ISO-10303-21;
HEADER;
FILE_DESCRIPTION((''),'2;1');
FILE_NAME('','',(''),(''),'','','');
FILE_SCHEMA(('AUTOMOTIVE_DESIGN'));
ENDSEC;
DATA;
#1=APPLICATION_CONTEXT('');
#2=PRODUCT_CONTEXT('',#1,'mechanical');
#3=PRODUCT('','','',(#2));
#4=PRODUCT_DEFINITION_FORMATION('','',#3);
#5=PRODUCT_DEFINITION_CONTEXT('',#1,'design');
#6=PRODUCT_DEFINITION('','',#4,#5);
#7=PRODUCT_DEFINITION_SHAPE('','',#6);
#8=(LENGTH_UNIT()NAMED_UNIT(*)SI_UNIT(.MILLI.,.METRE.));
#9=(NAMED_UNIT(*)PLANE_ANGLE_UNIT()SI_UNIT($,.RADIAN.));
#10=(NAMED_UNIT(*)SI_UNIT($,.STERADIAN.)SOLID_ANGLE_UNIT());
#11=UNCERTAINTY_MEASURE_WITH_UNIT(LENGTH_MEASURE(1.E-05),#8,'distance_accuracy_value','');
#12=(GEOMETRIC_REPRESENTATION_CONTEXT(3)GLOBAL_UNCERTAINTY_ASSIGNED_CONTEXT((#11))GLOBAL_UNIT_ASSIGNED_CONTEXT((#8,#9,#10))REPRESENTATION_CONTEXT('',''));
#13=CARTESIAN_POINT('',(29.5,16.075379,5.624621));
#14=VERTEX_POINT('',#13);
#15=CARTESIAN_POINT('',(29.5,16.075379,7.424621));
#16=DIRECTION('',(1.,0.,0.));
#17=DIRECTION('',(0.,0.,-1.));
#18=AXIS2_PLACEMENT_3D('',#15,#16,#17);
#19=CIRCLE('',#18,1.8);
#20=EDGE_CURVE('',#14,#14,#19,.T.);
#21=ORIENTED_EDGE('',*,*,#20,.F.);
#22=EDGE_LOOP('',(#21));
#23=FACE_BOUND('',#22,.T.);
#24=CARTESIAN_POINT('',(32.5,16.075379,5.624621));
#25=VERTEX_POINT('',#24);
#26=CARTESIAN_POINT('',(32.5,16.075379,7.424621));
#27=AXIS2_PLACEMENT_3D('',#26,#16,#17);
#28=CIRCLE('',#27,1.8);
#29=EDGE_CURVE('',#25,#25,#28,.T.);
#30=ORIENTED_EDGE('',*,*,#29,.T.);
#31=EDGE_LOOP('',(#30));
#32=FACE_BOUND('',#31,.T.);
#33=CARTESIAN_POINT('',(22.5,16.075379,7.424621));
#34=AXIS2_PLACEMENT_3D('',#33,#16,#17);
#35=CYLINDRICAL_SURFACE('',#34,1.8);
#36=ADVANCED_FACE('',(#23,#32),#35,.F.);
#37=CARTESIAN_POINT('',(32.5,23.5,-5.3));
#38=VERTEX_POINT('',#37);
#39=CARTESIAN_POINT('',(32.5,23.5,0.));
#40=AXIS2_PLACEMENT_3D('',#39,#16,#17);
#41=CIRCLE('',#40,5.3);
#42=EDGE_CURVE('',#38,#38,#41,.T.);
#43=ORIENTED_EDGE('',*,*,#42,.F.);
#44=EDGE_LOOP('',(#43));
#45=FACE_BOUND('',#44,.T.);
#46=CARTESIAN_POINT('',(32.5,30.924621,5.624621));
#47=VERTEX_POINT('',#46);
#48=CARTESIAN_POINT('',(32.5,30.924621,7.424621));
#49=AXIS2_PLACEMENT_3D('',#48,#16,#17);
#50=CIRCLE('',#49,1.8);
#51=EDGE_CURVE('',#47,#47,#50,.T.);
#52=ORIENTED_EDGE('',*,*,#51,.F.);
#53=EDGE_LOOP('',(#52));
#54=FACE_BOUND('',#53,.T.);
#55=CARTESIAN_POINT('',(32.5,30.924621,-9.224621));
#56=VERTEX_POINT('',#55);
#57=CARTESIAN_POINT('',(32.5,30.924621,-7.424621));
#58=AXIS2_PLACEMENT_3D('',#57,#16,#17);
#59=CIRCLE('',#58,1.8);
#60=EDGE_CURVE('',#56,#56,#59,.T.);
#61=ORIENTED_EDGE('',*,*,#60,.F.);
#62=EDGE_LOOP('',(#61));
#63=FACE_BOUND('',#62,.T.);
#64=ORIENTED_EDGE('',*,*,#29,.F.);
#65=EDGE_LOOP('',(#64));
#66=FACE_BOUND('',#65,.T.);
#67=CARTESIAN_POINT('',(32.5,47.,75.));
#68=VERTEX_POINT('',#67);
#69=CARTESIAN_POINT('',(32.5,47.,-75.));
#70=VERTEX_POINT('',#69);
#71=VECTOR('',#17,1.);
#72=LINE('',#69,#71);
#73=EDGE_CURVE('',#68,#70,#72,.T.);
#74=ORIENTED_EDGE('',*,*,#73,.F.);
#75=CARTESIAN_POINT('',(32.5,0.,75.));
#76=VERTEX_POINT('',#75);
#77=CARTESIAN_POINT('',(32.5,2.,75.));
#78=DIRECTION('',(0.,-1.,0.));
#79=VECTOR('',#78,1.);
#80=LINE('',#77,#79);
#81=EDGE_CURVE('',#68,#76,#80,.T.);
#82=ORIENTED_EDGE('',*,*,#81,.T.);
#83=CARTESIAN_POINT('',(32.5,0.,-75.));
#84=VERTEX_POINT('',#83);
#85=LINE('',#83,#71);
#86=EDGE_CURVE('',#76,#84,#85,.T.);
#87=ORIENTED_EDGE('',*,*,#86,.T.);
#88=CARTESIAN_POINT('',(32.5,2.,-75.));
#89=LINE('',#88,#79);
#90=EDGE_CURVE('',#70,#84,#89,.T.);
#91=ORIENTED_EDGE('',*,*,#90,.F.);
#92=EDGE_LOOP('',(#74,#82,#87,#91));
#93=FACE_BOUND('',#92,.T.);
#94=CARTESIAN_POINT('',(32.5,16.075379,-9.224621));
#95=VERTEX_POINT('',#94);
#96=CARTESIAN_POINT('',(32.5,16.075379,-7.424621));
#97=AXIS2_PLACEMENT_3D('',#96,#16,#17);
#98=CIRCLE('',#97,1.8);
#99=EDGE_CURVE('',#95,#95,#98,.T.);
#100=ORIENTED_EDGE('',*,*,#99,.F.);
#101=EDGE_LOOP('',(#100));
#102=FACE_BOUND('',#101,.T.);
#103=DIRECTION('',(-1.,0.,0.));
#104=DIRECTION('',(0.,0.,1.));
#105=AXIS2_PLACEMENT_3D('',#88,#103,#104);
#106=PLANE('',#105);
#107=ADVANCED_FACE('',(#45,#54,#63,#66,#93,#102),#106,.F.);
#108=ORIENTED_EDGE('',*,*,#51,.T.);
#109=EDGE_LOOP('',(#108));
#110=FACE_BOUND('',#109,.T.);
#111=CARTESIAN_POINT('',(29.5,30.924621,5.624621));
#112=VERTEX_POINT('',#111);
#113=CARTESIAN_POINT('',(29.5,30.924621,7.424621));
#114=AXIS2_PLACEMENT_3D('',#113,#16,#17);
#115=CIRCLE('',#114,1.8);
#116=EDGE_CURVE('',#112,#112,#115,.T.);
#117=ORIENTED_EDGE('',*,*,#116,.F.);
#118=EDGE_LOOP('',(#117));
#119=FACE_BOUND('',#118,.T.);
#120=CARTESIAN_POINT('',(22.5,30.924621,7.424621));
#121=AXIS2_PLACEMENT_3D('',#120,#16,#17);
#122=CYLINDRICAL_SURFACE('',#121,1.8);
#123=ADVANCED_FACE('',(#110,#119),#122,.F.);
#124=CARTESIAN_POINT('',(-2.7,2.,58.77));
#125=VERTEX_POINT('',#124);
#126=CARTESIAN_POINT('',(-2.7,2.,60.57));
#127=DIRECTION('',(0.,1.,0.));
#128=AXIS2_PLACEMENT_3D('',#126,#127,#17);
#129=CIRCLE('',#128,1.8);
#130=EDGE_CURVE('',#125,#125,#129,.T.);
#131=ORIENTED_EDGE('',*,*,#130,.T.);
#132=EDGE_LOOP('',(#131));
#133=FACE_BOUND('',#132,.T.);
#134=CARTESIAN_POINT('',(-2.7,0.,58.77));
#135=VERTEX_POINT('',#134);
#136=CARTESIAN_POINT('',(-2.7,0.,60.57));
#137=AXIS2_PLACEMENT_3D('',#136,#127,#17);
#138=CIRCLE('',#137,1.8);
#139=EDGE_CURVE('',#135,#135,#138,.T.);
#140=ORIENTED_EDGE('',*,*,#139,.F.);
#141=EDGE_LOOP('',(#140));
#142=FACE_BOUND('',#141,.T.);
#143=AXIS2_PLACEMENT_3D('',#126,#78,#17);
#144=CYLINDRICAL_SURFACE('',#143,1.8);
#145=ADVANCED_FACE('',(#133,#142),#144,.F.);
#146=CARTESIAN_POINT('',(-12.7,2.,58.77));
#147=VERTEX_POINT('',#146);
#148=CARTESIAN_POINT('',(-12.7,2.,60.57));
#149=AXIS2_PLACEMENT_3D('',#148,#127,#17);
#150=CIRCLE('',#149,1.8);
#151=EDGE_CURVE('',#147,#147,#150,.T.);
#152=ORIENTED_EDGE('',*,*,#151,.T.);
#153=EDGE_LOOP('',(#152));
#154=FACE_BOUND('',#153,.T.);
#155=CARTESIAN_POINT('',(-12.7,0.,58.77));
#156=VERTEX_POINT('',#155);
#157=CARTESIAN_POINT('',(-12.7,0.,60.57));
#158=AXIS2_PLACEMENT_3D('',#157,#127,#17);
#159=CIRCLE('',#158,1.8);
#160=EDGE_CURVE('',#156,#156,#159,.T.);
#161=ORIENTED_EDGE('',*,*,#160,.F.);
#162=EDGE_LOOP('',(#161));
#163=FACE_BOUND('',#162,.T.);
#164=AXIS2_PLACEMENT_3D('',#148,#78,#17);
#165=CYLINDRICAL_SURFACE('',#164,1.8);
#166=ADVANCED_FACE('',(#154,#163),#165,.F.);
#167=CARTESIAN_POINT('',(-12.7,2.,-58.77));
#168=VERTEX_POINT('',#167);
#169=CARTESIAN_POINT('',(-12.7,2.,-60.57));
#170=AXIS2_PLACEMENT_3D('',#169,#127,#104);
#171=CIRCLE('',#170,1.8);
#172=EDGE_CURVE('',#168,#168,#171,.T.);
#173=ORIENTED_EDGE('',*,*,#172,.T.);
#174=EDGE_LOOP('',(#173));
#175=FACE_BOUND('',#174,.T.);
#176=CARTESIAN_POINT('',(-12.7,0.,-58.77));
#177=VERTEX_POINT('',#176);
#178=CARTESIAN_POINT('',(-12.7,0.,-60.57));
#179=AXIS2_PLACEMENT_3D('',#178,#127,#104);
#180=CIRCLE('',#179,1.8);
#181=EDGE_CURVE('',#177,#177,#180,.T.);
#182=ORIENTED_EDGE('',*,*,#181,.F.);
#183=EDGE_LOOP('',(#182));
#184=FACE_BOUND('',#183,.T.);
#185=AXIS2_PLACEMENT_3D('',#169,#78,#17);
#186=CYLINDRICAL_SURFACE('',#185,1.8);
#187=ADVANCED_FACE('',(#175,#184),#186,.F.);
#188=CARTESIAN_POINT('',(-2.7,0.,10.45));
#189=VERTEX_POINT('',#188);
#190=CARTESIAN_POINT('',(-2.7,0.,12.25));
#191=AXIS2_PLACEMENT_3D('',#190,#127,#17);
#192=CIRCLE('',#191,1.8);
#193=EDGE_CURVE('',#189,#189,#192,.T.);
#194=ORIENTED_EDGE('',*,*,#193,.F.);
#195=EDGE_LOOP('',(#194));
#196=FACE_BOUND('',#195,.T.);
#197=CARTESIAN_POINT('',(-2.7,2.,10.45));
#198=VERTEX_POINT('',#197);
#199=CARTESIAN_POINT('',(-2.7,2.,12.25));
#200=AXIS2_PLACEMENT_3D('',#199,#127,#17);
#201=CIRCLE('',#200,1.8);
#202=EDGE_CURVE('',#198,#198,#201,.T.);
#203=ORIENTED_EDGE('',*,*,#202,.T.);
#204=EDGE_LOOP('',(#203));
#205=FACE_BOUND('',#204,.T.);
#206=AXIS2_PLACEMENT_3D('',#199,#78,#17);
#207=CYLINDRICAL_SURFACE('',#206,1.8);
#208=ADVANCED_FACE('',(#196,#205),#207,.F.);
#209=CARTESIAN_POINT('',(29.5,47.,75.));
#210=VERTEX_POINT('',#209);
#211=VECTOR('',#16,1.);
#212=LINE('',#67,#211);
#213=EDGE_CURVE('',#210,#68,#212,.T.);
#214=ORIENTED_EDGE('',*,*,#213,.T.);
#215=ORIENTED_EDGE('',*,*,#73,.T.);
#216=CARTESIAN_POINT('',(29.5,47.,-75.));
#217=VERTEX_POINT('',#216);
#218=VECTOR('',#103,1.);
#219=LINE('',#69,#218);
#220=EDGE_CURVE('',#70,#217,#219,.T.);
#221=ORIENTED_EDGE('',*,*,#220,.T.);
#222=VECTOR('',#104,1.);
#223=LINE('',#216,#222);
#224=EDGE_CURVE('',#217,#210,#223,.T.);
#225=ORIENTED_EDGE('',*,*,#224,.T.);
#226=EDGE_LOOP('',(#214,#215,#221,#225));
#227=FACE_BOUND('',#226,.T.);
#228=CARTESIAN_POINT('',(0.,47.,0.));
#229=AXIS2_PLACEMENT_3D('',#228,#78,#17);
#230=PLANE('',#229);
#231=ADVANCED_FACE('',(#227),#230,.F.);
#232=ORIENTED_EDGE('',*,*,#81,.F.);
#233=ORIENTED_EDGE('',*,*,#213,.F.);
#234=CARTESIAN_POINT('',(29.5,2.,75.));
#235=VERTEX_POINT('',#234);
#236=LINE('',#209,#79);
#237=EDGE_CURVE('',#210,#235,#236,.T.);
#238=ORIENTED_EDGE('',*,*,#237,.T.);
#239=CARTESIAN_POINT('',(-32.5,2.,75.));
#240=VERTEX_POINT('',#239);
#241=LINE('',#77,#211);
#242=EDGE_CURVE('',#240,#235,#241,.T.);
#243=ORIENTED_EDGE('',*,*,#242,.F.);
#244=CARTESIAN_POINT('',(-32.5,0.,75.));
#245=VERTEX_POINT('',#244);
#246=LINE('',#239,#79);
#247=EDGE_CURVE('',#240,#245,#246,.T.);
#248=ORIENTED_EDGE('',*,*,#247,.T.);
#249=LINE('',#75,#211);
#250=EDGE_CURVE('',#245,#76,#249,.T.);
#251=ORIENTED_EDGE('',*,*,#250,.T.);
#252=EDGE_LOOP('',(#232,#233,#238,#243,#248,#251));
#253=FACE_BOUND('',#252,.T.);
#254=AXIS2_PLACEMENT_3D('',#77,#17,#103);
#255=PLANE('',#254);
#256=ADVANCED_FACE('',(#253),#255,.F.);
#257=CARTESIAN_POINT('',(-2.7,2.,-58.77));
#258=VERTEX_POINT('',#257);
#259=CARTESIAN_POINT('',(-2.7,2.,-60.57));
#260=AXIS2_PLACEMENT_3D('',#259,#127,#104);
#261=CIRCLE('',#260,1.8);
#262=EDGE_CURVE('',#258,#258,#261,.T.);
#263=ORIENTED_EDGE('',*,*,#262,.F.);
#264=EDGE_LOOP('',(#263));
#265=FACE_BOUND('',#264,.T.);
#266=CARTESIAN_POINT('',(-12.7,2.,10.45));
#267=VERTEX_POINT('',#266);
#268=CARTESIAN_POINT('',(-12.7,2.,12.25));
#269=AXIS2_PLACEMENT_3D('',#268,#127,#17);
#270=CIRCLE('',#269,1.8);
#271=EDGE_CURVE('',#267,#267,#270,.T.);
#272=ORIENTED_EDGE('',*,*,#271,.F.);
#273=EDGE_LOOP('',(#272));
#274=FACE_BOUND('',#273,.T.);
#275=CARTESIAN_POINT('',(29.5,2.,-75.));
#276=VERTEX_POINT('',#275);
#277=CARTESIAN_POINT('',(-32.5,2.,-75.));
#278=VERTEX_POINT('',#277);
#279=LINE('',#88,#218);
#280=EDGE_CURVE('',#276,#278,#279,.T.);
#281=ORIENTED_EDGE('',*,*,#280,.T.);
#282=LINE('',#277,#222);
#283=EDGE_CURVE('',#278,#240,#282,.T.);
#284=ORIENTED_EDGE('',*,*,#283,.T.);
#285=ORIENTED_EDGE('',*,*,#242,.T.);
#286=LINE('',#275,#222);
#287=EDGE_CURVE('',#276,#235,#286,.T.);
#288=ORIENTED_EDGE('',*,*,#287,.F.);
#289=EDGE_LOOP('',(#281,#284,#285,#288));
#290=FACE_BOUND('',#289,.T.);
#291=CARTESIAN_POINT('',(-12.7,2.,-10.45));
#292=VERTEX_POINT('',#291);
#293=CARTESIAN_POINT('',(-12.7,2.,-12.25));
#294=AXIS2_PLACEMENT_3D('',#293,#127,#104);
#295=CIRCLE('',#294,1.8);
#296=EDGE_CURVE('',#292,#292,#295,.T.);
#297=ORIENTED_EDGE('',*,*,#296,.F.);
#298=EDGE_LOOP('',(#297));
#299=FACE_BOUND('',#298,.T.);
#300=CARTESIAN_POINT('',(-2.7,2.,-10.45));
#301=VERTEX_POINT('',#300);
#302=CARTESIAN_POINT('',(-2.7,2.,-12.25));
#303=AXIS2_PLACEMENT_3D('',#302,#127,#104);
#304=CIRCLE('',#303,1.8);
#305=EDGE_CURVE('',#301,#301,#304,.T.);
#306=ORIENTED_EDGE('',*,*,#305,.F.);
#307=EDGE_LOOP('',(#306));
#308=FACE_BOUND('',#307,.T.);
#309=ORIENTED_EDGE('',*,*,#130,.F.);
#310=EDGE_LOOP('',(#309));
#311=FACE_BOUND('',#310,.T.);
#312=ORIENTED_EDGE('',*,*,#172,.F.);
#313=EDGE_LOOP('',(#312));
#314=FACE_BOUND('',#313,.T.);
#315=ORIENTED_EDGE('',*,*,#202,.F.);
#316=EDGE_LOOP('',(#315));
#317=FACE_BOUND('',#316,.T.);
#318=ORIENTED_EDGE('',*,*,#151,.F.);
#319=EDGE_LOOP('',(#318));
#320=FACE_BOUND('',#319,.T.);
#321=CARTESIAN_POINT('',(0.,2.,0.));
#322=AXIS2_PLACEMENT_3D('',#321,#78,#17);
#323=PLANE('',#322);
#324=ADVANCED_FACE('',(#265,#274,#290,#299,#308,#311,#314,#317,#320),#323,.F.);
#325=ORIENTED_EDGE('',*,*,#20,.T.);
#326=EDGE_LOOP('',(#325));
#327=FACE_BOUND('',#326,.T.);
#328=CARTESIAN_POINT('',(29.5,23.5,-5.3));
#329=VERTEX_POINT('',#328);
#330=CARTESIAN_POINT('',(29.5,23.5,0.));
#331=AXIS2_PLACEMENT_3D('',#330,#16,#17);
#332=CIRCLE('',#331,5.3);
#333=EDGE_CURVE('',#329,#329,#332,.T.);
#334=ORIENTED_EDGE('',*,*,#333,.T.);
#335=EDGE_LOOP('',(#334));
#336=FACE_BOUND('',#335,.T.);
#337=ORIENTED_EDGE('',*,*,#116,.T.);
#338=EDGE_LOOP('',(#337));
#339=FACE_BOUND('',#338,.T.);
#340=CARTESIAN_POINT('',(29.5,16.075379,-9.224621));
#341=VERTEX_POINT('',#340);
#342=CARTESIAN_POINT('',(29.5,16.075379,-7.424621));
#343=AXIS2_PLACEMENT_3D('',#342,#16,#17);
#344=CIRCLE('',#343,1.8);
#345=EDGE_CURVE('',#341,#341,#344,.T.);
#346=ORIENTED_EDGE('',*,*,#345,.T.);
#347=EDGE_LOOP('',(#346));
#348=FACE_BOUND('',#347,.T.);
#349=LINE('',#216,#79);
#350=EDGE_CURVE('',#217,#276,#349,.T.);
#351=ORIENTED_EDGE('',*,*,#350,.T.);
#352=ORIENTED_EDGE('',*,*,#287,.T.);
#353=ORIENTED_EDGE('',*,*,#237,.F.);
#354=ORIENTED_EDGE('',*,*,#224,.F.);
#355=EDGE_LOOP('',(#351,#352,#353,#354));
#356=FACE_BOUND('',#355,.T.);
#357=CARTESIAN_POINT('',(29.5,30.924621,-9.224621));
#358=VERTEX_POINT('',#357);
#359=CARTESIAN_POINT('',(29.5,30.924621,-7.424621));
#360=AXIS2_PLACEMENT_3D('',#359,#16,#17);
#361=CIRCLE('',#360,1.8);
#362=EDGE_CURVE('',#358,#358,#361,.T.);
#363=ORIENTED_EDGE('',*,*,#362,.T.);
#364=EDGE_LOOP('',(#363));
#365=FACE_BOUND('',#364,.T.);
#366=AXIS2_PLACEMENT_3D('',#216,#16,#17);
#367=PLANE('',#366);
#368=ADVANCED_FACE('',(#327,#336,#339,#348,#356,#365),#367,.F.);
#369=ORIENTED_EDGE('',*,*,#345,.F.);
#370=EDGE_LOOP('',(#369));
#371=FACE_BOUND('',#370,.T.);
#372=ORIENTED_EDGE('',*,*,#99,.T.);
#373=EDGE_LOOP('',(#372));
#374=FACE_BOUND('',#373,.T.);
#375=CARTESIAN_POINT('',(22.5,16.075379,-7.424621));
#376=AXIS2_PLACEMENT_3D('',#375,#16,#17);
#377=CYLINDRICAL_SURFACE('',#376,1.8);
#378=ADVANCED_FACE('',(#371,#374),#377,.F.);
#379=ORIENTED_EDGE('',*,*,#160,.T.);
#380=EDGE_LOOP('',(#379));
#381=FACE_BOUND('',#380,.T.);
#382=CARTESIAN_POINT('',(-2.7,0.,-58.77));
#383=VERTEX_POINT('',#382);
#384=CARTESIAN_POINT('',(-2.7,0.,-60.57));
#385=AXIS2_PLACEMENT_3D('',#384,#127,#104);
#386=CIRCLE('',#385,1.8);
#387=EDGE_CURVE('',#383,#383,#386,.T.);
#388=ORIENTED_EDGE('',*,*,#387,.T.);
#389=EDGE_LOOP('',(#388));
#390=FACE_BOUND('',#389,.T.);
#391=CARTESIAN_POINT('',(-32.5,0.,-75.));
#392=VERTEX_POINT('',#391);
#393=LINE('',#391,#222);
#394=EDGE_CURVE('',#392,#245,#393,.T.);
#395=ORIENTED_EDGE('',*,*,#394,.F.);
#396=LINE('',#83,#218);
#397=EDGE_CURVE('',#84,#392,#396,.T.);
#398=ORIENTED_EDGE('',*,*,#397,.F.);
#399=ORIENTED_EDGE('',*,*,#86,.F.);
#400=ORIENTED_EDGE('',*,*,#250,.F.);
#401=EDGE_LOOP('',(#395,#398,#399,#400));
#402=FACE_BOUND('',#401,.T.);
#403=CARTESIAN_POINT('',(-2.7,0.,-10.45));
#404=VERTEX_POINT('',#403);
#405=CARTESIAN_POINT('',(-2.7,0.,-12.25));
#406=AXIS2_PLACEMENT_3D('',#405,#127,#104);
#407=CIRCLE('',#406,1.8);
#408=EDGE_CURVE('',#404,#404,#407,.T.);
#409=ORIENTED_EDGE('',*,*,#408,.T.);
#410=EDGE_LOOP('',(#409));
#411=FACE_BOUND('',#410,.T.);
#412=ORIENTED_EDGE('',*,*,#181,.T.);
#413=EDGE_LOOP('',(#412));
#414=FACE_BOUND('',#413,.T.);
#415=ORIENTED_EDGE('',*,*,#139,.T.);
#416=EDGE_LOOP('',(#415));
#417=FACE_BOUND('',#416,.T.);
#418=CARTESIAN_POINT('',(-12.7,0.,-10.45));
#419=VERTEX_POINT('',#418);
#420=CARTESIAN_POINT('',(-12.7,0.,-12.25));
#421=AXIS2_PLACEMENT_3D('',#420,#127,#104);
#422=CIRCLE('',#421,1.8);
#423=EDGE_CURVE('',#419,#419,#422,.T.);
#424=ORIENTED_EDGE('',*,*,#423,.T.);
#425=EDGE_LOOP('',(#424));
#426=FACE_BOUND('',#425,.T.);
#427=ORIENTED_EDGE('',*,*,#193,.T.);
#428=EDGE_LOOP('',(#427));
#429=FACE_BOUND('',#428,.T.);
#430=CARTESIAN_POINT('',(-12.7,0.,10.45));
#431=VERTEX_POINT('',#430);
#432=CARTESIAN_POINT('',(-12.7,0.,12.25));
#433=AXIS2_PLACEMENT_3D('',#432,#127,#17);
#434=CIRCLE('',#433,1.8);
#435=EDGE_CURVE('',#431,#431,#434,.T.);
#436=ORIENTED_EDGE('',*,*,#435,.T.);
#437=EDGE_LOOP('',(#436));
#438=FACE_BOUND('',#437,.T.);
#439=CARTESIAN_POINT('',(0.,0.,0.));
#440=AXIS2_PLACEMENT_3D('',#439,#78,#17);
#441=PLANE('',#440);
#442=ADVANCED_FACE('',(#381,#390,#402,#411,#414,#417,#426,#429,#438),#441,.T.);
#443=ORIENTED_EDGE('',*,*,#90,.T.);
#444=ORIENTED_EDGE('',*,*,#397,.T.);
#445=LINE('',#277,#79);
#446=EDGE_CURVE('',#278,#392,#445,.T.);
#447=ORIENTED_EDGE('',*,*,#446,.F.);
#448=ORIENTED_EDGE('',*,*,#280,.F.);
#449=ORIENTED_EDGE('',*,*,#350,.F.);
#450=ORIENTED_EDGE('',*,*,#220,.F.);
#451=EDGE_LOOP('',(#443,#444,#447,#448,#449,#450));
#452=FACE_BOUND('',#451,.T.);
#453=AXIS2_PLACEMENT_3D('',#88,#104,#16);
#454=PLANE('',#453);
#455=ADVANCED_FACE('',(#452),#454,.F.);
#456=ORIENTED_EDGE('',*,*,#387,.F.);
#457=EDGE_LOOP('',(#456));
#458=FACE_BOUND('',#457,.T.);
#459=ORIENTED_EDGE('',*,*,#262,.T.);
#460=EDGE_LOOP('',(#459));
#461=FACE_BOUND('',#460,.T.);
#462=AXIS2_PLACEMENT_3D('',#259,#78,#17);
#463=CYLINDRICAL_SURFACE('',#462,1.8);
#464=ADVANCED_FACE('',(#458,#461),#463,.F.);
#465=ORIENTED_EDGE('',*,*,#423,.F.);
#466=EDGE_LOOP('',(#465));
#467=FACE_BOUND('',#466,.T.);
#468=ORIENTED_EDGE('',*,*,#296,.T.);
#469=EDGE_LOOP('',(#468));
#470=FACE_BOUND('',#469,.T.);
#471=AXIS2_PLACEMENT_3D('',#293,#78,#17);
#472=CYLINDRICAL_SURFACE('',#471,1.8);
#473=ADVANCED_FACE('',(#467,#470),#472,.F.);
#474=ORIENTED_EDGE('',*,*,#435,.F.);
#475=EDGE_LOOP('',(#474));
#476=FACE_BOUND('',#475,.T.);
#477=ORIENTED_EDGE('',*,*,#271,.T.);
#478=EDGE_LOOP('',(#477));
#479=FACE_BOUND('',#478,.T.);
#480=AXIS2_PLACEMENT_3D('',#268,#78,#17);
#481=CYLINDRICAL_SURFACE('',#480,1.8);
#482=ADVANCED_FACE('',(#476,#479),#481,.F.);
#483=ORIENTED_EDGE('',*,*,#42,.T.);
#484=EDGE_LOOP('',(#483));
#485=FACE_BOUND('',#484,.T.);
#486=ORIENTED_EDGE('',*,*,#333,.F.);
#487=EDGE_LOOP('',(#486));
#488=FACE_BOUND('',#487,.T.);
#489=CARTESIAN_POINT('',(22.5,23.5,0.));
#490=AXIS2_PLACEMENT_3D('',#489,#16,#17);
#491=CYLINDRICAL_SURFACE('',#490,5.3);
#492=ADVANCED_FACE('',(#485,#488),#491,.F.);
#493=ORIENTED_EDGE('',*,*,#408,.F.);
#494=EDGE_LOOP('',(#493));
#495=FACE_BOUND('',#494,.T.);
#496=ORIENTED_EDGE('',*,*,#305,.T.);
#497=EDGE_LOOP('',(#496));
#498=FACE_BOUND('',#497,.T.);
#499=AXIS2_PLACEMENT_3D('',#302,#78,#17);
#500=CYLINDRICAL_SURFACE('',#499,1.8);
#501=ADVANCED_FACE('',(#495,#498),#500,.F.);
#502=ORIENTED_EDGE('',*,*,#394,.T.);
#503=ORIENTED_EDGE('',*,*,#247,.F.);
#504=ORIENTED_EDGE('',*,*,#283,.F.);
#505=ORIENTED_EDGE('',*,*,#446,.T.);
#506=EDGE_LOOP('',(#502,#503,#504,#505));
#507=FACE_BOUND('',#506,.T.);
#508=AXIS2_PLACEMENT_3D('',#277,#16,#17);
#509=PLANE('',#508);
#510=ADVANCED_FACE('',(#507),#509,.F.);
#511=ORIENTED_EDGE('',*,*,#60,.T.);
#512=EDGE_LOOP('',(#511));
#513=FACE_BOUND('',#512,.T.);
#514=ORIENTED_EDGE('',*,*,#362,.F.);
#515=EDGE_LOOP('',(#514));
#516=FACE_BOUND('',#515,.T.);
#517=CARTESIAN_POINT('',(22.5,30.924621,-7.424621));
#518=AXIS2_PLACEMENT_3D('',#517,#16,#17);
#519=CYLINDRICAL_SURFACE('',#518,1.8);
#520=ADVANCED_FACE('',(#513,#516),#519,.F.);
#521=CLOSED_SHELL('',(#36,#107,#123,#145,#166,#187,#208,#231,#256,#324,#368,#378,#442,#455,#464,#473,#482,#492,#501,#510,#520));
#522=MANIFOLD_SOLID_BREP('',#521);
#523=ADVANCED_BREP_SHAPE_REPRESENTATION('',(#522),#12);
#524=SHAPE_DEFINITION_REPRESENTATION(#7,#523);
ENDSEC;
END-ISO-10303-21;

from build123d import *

# Parameters (mm, degrees)
CROQUIS1_W              = 65
CROQUIS1_H              = 150
CROQUIS1_R              = 1.8
SALIENTE_EXTRUIR1_DEPTH = 2
CROQUIS2_W              = 3
CROQUIS2_H              = 150
SALIENTE_EXTRUIR2_DEPTH = 45
CROQUIS3_R              = 5.3
CROQUIS3_R_2            = 1.8
CORTAR_EXTRUIR1_DEPTH   = 10


with BuildPart() as part:
    # Croquis1 → Saliente-Extruir1 (new body)
    with BuildSketch(Plane(origin=(0, 0, 0), x_dir=(1, 0, 0), z_dir=(0, 1, 0))):
        Rectangle(CROQUIS1_W, CROQUIS1_H)
        with Locations(Location((-2.7, 12.25, 0), (0, 0, 270))):
            Circle(CROQUIS1_R, mode=Mode.SUBTRACT)
        with Locations(Location((-2.7, 60.57, 0), (0, 0, 270))):
            Circle(CROQUIS1_R, mode=Mode.SUBTRACT)
        with Locations(Location((-12.7, -60.57, 0), (0, 0, 90))):
            Circle(CROQUIS1_R, mode=Mode.SUBTRACT)
        with Locations(Location((-2.7, -60.57, 0), (0, 0, 90))):
            Circle(CROQUIS1_R, mode=Mode.SUBTRACT)
        with Locations(Location((-12.7, 12.25, 0), (0, 0, 270))):
            Circle(CROQUIS1_R, mode=Mode.SUBTRACT)
        with Locations(Location((-12.7, 60.57, 0), (0, 0, 270))):
            Circle(CROQUIS1_R, mode=Mode.SUBTRACT)
        with Locations(Location((-12.7, -12.25, 0), (0, 0, 90))):
            Circle(CROQUIS1_R, mode=Mode.SUBTRACT)
        with Locations(Location((-2.7, -12.25, 0), (0, 0, 90))):
            Circle(CROQUIS1_R, mode=Mode.SUBTRACT)
    extrude(amount=SALIENTE_EXTRUIR1_DEPTH)

    # Croquis2 → Saliente-Extruir2 (add)
    with BuildSketch(Plane(origin=(0, 2, 0), x_dir=(1, 0, 0), z_dir=(0, 1, 0))):
        with Locations((31, 0)):
            Rectangle(CROQUIS2_W, CROQUIS2_H)
    extrude(amount=SALIENTE_EXTRUIR2_DEPTH)

    # Croquis3 → Cortar-Extruir1 (cut)
    with BuildSketch(Plane(origin=(32.5, 0, 0), x_dir=(0, 0, -1), z_dir=(1, 0, 0))):
        with Locations((0, 23.5)):
            Circle(CROQUIS3_R)
        with Locations((-7.424621202, 16.075378798)):
            Circle(CROQUIS3_R_2)
        with Locations((-7.424621202, 30.924621202)):
            Circle(CROQUIS3_R_2)
        with Locations((7.424621202, 30.924621202)):
            Circle(CROQUIS3_R_2)
        with Locations((7.424621202, 16.075378798)):
            Circle(CROQUIS3_R_2)
    extrude(amount=-CORTAR_EXTRUIR1_DEPTH, mode=Mode.SUBTRACT)


solid = part.part
